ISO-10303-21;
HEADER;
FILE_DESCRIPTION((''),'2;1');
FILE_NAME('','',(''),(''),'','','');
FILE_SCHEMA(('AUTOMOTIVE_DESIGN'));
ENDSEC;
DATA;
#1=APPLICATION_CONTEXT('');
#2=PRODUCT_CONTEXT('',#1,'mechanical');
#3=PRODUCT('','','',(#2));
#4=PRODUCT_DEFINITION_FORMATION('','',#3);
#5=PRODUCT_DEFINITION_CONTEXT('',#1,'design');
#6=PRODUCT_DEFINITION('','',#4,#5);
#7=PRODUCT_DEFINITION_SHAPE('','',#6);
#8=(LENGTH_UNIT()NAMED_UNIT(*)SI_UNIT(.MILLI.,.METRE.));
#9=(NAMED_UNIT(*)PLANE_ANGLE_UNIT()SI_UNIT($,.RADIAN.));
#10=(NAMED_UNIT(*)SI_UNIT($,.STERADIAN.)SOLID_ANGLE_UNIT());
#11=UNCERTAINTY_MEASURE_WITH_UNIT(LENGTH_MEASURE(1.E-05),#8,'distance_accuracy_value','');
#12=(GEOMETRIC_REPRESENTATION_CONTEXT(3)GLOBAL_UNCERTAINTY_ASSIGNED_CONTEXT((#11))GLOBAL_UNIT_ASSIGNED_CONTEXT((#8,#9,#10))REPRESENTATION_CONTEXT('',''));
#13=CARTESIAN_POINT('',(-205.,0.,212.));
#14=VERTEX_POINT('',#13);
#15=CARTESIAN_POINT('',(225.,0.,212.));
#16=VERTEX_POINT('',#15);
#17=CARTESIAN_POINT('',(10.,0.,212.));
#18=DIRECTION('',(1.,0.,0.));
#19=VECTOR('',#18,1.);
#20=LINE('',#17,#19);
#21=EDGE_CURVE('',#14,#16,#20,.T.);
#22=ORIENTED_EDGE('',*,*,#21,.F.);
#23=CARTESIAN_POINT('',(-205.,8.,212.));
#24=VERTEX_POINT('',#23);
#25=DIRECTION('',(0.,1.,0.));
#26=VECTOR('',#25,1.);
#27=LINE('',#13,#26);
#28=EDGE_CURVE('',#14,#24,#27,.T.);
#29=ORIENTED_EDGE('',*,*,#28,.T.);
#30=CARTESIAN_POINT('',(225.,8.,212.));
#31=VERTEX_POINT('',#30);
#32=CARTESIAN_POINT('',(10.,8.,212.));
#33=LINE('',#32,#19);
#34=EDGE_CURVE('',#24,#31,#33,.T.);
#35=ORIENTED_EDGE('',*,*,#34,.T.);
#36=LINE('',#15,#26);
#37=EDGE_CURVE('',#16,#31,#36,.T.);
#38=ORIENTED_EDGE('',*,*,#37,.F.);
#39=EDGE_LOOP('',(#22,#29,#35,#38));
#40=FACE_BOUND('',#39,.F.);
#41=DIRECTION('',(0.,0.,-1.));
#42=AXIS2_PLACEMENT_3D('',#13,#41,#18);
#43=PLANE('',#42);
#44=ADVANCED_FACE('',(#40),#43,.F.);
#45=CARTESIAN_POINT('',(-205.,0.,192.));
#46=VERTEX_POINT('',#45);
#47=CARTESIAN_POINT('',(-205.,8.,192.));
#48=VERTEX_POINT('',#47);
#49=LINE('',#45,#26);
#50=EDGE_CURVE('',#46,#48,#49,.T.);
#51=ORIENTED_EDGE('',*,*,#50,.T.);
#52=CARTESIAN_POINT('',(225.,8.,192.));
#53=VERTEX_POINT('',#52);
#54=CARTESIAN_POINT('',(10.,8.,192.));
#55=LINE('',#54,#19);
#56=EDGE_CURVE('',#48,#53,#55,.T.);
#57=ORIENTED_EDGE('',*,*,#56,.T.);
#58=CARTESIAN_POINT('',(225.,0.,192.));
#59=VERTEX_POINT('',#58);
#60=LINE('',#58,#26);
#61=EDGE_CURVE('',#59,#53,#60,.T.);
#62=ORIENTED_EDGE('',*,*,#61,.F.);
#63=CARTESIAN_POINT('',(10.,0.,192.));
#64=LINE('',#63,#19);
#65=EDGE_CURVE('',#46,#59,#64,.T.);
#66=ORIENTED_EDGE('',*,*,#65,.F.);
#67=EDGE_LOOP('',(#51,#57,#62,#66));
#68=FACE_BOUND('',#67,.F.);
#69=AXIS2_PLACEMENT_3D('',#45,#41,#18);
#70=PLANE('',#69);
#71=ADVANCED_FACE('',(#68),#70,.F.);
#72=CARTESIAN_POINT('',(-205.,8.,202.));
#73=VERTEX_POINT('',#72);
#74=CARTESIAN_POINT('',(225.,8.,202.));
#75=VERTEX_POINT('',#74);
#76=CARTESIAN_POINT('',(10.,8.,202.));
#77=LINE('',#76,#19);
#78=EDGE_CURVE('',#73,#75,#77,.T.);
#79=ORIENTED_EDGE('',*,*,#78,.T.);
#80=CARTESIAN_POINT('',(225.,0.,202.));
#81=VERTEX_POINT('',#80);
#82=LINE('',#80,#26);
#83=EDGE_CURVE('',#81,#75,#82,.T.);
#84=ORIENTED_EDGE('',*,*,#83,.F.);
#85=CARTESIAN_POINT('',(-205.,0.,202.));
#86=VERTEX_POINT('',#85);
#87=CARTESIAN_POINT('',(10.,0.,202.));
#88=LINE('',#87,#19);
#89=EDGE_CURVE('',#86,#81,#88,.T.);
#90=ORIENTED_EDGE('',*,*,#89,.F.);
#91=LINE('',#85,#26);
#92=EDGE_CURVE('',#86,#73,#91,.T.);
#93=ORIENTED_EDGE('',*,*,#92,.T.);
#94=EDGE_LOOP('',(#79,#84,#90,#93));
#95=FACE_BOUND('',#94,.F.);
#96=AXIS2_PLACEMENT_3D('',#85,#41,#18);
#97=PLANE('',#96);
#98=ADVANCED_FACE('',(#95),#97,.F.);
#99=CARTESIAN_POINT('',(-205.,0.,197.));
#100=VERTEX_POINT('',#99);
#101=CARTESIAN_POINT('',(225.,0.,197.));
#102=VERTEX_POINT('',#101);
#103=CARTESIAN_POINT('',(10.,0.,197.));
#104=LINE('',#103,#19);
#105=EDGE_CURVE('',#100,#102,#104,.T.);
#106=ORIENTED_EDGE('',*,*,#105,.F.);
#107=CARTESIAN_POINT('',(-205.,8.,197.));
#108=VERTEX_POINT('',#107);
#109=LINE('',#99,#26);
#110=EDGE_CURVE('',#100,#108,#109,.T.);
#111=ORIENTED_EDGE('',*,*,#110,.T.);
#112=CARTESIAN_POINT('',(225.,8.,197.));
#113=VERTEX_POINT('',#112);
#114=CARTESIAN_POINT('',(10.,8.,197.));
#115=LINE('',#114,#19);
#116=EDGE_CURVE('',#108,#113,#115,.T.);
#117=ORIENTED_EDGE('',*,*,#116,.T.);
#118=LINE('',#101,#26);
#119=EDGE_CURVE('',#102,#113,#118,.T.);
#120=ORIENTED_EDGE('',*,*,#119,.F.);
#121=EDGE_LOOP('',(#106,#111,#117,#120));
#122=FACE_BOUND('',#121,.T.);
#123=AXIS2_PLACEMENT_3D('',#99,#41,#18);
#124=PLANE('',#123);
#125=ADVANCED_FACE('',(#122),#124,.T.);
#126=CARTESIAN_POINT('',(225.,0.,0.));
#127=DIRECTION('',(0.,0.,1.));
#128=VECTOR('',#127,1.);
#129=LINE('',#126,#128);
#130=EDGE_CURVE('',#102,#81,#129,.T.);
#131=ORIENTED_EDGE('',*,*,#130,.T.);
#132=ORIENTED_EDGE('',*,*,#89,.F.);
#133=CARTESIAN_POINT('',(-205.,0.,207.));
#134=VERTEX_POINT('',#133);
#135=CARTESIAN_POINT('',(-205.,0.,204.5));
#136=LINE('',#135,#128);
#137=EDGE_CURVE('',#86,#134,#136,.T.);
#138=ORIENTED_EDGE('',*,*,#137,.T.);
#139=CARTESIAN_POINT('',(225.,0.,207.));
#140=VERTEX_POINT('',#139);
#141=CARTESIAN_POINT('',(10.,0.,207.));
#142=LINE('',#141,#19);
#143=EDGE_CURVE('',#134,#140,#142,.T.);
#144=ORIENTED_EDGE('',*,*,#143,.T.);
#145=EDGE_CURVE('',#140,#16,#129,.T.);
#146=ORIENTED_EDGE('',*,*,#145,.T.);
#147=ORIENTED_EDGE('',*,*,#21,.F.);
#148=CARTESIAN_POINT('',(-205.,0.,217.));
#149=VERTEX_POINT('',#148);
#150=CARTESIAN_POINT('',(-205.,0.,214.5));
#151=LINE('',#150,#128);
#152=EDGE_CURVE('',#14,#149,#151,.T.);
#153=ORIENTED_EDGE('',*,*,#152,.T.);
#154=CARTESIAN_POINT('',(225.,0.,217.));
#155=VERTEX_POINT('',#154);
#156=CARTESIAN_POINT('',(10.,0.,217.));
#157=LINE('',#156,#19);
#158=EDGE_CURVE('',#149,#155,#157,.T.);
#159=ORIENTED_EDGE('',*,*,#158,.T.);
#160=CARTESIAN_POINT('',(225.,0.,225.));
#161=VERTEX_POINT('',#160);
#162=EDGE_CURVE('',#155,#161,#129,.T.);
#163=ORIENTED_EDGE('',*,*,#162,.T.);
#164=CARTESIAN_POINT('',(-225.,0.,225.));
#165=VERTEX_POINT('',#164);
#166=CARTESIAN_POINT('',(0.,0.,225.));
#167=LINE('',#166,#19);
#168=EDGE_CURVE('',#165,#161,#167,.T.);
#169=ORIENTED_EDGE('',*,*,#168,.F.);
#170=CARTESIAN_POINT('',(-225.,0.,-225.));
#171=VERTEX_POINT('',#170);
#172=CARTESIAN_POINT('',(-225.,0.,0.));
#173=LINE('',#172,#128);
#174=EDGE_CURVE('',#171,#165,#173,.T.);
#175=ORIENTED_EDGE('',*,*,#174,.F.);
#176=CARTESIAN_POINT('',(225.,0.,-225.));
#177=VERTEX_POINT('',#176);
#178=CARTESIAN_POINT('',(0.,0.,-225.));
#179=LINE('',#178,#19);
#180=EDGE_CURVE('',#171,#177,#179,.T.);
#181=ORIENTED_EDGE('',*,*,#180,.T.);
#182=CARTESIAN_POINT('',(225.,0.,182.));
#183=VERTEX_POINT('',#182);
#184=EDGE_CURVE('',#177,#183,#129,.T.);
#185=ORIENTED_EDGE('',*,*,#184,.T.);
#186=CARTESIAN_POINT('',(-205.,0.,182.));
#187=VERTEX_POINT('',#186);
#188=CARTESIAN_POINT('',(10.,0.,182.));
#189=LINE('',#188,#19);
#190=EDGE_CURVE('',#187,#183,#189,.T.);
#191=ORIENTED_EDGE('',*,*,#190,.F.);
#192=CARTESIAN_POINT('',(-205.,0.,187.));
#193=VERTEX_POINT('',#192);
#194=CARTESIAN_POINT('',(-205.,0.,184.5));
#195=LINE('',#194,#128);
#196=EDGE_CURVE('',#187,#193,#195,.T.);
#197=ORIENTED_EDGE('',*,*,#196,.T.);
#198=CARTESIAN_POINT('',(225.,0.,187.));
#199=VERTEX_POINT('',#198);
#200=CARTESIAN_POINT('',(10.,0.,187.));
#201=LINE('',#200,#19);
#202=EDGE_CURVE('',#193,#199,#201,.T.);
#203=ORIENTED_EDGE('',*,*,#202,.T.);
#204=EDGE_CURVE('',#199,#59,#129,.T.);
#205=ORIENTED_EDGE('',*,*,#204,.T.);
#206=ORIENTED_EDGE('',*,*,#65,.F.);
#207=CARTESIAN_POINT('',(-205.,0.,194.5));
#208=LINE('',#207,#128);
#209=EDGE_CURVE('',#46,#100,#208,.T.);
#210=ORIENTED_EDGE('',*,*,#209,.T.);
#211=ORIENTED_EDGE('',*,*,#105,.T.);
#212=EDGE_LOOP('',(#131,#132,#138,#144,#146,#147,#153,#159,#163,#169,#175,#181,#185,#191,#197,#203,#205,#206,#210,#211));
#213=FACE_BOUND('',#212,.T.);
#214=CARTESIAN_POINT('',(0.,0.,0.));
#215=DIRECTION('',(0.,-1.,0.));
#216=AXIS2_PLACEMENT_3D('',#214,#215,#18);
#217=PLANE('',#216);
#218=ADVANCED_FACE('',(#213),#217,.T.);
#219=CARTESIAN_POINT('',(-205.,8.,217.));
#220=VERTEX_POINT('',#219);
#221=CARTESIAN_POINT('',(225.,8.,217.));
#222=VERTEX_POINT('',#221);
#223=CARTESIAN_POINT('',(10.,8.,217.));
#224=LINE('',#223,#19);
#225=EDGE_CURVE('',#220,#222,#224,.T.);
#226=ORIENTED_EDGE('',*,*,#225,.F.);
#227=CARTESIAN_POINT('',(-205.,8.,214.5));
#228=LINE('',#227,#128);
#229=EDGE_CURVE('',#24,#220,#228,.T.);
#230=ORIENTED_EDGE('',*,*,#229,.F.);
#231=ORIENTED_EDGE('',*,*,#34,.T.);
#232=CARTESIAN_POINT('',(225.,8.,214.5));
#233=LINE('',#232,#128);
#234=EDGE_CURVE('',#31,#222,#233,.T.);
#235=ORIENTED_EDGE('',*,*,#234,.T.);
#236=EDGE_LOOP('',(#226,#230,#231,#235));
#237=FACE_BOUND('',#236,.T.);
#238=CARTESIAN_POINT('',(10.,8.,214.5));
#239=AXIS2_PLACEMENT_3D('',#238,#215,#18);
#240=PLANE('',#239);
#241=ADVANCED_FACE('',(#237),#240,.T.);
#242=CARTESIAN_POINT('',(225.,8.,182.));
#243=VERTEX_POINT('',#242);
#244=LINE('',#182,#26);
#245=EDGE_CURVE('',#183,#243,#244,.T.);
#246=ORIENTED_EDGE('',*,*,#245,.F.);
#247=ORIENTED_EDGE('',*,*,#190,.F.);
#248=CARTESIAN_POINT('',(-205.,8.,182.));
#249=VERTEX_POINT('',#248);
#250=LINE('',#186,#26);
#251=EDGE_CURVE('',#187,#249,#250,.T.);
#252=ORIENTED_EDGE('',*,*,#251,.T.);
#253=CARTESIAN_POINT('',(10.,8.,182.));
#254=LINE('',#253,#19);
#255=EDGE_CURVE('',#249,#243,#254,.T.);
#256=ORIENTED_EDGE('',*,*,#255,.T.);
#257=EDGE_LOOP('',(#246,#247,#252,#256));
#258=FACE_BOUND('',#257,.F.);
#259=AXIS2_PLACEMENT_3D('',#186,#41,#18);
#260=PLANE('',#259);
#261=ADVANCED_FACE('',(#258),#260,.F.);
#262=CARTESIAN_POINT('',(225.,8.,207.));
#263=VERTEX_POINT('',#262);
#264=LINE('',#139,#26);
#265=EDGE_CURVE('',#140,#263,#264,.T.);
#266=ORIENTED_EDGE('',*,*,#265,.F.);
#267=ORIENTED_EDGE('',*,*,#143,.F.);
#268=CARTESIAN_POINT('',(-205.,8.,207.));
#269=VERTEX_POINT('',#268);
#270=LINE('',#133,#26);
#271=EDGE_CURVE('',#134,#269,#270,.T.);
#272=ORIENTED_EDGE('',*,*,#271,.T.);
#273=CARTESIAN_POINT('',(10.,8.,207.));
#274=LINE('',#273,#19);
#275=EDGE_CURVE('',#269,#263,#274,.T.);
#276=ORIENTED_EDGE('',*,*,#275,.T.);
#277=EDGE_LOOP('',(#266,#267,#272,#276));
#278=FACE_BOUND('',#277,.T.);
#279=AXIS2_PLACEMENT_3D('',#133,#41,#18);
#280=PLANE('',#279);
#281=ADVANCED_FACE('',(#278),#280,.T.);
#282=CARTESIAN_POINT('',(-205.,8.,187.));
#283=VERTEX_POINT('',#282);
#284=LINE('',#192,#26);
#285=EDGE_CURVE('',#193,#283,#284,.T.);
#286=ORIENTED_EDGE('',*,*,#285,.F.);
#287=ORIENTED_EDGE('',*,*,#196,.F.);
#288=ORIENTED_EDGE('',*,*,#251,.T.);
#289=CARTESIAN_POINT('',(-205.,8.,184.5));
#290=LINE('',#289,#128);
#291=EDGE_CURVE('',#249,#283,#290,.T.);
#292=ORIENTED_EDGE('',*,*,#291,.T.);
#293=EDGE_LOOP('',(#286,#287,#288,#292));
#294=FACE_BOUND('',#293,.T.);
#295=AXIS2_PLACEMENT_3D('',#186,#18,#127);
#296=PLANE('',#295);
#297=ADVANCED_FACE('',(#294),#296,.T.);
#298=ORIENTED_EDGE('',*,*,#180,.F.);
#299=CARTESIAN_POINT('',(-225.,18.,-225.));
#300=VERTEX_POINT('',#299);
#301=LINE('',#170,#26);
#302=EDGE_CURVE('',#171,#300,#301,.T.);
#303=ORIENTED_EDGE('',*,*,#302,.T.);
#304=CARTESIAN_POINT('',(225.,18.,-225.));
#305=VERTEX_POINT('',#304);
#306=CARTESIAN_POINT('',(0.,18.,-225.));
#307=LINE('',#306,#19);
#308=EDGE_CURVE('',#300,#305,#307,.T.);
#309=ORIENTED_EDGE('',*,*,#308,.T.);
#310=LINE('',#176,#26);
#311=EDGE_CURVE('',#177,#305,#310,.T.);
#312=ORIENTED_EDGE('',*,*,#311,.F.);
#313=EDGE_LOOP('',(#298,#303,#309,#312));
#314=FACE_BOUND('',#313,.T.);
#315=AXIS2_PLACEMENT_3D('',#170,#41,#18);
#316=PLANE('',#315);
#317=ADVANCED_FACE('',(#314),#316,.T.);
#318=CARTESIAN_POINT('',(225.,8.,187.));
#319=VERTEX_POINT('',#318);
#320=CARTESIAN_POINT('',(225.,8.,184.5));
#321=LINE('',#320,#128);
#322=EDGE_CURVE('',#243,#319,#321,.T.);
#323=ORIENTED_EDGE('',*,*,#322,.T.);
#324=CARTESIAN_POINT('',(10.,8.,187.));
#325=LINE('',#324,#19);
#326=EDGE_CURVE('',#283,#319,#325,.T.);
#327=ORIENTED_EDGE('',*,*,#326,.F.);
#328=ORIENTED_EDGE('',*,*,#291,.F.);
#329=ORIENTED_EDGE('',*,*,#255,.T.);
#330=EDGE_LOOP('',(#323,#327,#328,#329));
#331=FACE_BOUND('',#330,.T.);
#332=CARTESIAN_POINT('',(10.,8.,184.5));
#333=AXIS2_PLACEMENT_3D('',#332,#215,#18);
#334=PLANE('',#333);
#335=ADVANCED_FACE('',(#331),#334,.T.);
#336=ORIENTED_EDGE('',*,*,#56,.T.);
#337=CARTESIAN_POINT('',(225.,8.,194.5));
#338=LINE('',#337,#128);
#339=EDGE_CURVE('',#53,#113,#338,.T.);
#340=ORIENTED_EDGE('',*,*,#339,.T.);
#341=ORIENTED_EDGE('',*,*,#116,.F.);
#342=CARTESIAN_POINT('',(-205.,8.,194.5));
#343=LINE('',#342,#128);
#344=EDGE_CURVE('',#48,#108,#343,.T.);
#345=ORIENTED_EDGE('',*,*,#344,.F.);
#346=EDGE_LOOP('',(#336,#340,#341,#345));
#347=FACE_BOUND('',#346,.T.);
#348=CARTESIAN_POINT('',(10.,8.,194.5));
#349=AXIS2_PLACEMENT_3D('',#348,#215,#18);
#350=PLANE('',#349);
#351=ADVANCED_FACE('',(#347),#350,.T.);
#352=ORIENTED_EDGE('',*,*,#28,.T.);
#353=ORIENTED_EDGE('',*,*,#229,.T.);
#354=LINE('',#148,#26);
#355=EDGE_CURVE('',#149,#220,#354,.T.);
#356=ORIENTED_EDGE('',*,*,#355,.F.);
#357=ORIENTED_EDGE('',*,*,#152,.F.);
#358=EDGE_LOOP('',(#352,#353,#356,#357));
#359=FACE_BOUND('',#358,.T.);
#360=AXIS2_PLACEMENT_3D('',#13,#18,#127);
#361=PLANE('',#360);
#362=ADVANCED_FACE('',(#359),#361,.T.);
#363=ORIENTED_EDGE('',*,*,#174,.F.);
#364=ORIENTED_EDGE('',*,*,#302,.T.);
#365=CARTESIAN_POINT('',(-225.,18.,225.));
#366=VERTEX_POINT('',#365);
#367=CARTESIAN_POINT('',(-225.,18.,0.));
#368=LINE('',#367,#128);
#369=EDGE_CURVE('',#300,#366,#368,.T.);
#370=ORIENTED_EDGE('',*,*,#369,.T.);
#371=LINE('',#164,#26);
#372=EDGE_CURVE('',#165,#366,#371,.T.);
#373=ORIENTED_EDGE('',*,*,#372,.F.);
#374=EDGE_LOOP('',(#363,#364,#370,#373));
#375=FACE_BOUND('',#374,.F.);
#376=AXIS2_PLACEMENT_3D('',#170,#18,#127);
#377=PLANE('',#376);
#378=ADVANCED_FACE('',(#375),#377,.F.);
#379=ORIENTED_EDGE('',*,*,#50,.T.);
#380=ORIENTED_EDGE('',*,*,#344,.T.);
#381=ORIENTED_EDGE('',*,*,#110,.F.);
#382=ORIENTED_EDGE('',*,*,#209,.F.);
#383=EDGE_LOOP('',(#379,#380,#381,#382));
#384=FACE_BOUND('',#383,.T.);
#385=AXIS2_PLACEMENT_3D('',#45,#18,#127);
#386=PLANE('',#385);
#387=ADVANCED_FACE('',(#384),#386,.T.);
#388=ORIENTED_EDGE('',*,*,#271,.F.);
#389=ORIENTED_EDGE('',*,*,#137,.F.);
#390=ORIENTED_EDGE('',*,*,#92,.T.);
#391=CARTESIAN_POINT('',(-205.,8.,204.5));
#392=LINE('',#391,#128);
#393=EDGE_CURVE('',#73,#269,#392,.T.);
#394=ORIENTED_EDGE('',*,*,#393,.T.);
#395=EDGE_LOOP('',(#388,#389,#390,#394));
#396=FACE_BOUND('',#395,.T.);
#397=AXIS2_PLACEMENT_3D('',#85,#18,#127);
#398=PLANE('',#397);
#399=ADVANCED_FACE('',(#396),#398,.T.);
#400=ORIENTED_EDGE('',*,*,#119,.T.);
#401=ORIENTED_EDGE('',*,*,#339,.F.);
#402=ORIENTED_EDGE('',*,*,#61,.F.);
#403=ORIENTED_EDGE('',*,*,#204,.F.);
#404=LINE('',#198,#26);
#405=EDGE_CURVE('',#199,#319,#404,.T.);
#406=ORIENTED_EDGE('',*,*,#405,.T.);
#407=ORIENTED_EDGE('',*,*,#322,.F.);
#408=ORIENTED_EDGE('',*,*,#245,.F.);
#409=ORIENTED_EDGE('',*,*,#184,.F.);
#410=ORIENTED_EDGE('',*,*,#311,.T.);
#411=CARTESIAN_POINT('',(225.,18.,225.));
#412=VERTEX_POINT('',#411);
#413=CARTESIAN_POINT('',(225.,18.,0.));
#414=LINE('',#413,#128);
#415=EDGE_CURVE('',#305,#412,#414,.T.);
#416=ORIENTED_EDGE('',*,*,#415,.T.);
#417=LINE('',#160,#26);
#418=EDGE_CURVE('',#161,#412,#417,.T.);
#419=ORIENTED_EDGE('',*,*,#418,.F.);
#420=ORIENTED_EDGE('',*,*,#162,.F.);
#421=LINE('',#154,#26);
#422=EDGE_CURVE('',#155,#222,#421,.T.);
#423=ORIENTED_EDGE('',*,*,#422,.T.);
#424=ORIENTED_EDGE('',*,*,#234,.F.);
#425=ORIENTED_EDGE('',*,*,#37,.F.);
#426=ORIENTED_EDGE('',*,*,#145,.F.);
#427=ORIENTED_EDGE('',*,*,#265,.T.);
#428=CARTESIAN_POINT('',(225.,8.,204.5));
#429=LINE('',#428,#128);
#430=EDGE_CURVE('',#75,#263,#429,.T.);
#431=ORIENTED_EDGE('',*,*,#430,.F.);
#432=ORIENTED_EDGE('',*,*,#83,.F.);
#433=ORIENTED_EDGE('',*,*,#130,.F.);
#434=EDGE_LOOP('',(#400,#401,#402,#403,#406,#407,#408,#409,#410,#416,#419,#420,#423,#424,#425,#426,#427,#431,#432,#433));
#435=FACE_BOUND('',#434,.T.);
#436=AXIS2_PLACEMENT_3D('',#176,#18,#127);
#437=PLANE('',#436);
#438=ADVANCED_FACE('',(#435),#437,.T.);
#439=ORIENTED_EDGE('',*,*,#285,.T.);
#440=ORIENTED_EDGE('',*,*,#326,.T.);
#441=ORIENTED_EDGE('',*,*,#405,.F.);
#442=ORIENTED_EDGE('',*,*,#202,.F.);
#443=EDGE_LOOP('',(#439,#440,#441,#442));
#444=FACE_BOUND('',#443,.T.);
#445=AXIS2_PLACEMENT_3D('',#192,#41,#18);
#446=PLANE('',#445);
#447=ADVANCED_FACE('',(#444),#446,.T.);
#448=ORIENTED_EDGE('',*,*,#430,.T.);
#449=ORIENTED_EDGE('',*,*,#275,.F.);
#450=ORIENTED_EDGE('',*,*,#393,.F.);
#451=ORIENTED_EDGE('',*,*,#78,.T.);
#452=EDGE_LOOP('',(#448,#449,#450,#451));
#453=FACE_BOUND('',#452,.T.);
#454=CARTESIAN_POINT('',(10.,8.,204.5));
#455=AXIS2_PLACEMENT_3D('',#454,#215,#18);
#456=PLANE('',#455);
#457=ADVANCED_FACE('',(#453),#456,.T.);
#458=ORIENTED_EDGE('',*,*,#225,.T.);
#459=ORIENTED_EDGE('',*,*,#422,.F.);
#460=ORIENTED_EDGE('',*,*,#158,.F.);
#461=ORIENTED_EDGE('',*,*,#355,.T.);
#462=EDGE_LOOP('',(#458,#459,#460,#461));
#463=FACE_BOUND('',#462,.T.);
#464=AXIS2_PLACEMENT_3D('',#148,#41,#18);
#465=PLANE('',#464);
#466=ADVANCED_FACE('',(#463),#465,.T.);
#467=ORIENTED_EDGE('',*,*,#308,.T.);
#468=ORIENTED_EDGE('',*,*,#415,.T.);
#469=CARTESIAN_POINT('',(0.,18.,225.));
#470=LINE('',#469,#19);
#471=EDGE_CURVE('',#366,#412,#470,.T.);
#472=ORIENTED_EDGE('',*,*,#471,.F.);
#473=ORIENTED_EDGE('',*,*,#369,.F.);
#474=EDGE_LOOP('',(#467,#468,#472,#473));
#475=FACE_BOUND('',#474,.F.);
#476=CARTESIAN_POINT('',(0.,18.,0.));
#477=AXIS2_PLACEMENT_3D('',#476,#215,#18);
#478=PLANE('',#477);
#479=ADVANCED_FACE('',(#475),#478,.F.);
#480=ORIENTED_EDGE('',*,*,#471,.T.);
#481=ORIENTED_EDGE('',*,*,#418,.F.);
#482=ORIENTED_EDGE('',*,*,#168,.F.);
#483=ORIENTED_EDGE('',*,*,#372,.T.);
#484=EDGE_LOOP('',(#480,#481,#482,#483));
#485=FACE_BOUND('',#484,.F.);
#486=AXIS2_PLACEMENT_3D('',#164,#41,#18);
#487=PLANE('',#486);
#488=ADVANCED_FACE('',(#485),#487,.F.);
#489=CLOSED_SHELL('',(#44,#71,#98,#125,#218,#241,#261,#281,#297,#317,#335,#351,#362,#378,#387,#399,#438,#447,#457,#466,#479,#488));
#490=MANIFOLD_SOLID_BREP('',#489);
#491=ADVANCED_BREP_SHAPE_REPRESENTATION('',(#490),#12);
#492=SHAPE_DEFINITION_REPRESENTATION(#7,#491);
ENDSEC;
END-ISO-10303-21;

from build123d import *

# Parameters (mm, degrees)
F0_W     = 450
F0_H     = 450
F1_DEPTH = 18
F2_W     = 430
F2_H     = 5
F3_DEPTH = 8


with BuildPart() as f1:
    # F0 (on Front) → F1 (new body)
    with BuildSketch(Plane.XZ):
        Rectangle(F0_W, F0_H)
    extrude(amount=-F1_DEPTH)

    # F2 (on face) → F3 (cut)
    with BuildSketch(Plane.XZ):
        with Locations((10, 214.5)):
            Rectangle(F2_W, F2_H)
        with Locations((10, 204.5)):
            Rectangle(F2_W, F2_H)
        with Locations((10, 194.5)):
            Rectangle(F2_W, F2_H)
        with Locations((10, 184.5)):
            Rectangle(F2_W, F2_H)
    extrude(amount=-F3_DEPTH, mode=Mode.SUBTRACT)


solid = f1.part
